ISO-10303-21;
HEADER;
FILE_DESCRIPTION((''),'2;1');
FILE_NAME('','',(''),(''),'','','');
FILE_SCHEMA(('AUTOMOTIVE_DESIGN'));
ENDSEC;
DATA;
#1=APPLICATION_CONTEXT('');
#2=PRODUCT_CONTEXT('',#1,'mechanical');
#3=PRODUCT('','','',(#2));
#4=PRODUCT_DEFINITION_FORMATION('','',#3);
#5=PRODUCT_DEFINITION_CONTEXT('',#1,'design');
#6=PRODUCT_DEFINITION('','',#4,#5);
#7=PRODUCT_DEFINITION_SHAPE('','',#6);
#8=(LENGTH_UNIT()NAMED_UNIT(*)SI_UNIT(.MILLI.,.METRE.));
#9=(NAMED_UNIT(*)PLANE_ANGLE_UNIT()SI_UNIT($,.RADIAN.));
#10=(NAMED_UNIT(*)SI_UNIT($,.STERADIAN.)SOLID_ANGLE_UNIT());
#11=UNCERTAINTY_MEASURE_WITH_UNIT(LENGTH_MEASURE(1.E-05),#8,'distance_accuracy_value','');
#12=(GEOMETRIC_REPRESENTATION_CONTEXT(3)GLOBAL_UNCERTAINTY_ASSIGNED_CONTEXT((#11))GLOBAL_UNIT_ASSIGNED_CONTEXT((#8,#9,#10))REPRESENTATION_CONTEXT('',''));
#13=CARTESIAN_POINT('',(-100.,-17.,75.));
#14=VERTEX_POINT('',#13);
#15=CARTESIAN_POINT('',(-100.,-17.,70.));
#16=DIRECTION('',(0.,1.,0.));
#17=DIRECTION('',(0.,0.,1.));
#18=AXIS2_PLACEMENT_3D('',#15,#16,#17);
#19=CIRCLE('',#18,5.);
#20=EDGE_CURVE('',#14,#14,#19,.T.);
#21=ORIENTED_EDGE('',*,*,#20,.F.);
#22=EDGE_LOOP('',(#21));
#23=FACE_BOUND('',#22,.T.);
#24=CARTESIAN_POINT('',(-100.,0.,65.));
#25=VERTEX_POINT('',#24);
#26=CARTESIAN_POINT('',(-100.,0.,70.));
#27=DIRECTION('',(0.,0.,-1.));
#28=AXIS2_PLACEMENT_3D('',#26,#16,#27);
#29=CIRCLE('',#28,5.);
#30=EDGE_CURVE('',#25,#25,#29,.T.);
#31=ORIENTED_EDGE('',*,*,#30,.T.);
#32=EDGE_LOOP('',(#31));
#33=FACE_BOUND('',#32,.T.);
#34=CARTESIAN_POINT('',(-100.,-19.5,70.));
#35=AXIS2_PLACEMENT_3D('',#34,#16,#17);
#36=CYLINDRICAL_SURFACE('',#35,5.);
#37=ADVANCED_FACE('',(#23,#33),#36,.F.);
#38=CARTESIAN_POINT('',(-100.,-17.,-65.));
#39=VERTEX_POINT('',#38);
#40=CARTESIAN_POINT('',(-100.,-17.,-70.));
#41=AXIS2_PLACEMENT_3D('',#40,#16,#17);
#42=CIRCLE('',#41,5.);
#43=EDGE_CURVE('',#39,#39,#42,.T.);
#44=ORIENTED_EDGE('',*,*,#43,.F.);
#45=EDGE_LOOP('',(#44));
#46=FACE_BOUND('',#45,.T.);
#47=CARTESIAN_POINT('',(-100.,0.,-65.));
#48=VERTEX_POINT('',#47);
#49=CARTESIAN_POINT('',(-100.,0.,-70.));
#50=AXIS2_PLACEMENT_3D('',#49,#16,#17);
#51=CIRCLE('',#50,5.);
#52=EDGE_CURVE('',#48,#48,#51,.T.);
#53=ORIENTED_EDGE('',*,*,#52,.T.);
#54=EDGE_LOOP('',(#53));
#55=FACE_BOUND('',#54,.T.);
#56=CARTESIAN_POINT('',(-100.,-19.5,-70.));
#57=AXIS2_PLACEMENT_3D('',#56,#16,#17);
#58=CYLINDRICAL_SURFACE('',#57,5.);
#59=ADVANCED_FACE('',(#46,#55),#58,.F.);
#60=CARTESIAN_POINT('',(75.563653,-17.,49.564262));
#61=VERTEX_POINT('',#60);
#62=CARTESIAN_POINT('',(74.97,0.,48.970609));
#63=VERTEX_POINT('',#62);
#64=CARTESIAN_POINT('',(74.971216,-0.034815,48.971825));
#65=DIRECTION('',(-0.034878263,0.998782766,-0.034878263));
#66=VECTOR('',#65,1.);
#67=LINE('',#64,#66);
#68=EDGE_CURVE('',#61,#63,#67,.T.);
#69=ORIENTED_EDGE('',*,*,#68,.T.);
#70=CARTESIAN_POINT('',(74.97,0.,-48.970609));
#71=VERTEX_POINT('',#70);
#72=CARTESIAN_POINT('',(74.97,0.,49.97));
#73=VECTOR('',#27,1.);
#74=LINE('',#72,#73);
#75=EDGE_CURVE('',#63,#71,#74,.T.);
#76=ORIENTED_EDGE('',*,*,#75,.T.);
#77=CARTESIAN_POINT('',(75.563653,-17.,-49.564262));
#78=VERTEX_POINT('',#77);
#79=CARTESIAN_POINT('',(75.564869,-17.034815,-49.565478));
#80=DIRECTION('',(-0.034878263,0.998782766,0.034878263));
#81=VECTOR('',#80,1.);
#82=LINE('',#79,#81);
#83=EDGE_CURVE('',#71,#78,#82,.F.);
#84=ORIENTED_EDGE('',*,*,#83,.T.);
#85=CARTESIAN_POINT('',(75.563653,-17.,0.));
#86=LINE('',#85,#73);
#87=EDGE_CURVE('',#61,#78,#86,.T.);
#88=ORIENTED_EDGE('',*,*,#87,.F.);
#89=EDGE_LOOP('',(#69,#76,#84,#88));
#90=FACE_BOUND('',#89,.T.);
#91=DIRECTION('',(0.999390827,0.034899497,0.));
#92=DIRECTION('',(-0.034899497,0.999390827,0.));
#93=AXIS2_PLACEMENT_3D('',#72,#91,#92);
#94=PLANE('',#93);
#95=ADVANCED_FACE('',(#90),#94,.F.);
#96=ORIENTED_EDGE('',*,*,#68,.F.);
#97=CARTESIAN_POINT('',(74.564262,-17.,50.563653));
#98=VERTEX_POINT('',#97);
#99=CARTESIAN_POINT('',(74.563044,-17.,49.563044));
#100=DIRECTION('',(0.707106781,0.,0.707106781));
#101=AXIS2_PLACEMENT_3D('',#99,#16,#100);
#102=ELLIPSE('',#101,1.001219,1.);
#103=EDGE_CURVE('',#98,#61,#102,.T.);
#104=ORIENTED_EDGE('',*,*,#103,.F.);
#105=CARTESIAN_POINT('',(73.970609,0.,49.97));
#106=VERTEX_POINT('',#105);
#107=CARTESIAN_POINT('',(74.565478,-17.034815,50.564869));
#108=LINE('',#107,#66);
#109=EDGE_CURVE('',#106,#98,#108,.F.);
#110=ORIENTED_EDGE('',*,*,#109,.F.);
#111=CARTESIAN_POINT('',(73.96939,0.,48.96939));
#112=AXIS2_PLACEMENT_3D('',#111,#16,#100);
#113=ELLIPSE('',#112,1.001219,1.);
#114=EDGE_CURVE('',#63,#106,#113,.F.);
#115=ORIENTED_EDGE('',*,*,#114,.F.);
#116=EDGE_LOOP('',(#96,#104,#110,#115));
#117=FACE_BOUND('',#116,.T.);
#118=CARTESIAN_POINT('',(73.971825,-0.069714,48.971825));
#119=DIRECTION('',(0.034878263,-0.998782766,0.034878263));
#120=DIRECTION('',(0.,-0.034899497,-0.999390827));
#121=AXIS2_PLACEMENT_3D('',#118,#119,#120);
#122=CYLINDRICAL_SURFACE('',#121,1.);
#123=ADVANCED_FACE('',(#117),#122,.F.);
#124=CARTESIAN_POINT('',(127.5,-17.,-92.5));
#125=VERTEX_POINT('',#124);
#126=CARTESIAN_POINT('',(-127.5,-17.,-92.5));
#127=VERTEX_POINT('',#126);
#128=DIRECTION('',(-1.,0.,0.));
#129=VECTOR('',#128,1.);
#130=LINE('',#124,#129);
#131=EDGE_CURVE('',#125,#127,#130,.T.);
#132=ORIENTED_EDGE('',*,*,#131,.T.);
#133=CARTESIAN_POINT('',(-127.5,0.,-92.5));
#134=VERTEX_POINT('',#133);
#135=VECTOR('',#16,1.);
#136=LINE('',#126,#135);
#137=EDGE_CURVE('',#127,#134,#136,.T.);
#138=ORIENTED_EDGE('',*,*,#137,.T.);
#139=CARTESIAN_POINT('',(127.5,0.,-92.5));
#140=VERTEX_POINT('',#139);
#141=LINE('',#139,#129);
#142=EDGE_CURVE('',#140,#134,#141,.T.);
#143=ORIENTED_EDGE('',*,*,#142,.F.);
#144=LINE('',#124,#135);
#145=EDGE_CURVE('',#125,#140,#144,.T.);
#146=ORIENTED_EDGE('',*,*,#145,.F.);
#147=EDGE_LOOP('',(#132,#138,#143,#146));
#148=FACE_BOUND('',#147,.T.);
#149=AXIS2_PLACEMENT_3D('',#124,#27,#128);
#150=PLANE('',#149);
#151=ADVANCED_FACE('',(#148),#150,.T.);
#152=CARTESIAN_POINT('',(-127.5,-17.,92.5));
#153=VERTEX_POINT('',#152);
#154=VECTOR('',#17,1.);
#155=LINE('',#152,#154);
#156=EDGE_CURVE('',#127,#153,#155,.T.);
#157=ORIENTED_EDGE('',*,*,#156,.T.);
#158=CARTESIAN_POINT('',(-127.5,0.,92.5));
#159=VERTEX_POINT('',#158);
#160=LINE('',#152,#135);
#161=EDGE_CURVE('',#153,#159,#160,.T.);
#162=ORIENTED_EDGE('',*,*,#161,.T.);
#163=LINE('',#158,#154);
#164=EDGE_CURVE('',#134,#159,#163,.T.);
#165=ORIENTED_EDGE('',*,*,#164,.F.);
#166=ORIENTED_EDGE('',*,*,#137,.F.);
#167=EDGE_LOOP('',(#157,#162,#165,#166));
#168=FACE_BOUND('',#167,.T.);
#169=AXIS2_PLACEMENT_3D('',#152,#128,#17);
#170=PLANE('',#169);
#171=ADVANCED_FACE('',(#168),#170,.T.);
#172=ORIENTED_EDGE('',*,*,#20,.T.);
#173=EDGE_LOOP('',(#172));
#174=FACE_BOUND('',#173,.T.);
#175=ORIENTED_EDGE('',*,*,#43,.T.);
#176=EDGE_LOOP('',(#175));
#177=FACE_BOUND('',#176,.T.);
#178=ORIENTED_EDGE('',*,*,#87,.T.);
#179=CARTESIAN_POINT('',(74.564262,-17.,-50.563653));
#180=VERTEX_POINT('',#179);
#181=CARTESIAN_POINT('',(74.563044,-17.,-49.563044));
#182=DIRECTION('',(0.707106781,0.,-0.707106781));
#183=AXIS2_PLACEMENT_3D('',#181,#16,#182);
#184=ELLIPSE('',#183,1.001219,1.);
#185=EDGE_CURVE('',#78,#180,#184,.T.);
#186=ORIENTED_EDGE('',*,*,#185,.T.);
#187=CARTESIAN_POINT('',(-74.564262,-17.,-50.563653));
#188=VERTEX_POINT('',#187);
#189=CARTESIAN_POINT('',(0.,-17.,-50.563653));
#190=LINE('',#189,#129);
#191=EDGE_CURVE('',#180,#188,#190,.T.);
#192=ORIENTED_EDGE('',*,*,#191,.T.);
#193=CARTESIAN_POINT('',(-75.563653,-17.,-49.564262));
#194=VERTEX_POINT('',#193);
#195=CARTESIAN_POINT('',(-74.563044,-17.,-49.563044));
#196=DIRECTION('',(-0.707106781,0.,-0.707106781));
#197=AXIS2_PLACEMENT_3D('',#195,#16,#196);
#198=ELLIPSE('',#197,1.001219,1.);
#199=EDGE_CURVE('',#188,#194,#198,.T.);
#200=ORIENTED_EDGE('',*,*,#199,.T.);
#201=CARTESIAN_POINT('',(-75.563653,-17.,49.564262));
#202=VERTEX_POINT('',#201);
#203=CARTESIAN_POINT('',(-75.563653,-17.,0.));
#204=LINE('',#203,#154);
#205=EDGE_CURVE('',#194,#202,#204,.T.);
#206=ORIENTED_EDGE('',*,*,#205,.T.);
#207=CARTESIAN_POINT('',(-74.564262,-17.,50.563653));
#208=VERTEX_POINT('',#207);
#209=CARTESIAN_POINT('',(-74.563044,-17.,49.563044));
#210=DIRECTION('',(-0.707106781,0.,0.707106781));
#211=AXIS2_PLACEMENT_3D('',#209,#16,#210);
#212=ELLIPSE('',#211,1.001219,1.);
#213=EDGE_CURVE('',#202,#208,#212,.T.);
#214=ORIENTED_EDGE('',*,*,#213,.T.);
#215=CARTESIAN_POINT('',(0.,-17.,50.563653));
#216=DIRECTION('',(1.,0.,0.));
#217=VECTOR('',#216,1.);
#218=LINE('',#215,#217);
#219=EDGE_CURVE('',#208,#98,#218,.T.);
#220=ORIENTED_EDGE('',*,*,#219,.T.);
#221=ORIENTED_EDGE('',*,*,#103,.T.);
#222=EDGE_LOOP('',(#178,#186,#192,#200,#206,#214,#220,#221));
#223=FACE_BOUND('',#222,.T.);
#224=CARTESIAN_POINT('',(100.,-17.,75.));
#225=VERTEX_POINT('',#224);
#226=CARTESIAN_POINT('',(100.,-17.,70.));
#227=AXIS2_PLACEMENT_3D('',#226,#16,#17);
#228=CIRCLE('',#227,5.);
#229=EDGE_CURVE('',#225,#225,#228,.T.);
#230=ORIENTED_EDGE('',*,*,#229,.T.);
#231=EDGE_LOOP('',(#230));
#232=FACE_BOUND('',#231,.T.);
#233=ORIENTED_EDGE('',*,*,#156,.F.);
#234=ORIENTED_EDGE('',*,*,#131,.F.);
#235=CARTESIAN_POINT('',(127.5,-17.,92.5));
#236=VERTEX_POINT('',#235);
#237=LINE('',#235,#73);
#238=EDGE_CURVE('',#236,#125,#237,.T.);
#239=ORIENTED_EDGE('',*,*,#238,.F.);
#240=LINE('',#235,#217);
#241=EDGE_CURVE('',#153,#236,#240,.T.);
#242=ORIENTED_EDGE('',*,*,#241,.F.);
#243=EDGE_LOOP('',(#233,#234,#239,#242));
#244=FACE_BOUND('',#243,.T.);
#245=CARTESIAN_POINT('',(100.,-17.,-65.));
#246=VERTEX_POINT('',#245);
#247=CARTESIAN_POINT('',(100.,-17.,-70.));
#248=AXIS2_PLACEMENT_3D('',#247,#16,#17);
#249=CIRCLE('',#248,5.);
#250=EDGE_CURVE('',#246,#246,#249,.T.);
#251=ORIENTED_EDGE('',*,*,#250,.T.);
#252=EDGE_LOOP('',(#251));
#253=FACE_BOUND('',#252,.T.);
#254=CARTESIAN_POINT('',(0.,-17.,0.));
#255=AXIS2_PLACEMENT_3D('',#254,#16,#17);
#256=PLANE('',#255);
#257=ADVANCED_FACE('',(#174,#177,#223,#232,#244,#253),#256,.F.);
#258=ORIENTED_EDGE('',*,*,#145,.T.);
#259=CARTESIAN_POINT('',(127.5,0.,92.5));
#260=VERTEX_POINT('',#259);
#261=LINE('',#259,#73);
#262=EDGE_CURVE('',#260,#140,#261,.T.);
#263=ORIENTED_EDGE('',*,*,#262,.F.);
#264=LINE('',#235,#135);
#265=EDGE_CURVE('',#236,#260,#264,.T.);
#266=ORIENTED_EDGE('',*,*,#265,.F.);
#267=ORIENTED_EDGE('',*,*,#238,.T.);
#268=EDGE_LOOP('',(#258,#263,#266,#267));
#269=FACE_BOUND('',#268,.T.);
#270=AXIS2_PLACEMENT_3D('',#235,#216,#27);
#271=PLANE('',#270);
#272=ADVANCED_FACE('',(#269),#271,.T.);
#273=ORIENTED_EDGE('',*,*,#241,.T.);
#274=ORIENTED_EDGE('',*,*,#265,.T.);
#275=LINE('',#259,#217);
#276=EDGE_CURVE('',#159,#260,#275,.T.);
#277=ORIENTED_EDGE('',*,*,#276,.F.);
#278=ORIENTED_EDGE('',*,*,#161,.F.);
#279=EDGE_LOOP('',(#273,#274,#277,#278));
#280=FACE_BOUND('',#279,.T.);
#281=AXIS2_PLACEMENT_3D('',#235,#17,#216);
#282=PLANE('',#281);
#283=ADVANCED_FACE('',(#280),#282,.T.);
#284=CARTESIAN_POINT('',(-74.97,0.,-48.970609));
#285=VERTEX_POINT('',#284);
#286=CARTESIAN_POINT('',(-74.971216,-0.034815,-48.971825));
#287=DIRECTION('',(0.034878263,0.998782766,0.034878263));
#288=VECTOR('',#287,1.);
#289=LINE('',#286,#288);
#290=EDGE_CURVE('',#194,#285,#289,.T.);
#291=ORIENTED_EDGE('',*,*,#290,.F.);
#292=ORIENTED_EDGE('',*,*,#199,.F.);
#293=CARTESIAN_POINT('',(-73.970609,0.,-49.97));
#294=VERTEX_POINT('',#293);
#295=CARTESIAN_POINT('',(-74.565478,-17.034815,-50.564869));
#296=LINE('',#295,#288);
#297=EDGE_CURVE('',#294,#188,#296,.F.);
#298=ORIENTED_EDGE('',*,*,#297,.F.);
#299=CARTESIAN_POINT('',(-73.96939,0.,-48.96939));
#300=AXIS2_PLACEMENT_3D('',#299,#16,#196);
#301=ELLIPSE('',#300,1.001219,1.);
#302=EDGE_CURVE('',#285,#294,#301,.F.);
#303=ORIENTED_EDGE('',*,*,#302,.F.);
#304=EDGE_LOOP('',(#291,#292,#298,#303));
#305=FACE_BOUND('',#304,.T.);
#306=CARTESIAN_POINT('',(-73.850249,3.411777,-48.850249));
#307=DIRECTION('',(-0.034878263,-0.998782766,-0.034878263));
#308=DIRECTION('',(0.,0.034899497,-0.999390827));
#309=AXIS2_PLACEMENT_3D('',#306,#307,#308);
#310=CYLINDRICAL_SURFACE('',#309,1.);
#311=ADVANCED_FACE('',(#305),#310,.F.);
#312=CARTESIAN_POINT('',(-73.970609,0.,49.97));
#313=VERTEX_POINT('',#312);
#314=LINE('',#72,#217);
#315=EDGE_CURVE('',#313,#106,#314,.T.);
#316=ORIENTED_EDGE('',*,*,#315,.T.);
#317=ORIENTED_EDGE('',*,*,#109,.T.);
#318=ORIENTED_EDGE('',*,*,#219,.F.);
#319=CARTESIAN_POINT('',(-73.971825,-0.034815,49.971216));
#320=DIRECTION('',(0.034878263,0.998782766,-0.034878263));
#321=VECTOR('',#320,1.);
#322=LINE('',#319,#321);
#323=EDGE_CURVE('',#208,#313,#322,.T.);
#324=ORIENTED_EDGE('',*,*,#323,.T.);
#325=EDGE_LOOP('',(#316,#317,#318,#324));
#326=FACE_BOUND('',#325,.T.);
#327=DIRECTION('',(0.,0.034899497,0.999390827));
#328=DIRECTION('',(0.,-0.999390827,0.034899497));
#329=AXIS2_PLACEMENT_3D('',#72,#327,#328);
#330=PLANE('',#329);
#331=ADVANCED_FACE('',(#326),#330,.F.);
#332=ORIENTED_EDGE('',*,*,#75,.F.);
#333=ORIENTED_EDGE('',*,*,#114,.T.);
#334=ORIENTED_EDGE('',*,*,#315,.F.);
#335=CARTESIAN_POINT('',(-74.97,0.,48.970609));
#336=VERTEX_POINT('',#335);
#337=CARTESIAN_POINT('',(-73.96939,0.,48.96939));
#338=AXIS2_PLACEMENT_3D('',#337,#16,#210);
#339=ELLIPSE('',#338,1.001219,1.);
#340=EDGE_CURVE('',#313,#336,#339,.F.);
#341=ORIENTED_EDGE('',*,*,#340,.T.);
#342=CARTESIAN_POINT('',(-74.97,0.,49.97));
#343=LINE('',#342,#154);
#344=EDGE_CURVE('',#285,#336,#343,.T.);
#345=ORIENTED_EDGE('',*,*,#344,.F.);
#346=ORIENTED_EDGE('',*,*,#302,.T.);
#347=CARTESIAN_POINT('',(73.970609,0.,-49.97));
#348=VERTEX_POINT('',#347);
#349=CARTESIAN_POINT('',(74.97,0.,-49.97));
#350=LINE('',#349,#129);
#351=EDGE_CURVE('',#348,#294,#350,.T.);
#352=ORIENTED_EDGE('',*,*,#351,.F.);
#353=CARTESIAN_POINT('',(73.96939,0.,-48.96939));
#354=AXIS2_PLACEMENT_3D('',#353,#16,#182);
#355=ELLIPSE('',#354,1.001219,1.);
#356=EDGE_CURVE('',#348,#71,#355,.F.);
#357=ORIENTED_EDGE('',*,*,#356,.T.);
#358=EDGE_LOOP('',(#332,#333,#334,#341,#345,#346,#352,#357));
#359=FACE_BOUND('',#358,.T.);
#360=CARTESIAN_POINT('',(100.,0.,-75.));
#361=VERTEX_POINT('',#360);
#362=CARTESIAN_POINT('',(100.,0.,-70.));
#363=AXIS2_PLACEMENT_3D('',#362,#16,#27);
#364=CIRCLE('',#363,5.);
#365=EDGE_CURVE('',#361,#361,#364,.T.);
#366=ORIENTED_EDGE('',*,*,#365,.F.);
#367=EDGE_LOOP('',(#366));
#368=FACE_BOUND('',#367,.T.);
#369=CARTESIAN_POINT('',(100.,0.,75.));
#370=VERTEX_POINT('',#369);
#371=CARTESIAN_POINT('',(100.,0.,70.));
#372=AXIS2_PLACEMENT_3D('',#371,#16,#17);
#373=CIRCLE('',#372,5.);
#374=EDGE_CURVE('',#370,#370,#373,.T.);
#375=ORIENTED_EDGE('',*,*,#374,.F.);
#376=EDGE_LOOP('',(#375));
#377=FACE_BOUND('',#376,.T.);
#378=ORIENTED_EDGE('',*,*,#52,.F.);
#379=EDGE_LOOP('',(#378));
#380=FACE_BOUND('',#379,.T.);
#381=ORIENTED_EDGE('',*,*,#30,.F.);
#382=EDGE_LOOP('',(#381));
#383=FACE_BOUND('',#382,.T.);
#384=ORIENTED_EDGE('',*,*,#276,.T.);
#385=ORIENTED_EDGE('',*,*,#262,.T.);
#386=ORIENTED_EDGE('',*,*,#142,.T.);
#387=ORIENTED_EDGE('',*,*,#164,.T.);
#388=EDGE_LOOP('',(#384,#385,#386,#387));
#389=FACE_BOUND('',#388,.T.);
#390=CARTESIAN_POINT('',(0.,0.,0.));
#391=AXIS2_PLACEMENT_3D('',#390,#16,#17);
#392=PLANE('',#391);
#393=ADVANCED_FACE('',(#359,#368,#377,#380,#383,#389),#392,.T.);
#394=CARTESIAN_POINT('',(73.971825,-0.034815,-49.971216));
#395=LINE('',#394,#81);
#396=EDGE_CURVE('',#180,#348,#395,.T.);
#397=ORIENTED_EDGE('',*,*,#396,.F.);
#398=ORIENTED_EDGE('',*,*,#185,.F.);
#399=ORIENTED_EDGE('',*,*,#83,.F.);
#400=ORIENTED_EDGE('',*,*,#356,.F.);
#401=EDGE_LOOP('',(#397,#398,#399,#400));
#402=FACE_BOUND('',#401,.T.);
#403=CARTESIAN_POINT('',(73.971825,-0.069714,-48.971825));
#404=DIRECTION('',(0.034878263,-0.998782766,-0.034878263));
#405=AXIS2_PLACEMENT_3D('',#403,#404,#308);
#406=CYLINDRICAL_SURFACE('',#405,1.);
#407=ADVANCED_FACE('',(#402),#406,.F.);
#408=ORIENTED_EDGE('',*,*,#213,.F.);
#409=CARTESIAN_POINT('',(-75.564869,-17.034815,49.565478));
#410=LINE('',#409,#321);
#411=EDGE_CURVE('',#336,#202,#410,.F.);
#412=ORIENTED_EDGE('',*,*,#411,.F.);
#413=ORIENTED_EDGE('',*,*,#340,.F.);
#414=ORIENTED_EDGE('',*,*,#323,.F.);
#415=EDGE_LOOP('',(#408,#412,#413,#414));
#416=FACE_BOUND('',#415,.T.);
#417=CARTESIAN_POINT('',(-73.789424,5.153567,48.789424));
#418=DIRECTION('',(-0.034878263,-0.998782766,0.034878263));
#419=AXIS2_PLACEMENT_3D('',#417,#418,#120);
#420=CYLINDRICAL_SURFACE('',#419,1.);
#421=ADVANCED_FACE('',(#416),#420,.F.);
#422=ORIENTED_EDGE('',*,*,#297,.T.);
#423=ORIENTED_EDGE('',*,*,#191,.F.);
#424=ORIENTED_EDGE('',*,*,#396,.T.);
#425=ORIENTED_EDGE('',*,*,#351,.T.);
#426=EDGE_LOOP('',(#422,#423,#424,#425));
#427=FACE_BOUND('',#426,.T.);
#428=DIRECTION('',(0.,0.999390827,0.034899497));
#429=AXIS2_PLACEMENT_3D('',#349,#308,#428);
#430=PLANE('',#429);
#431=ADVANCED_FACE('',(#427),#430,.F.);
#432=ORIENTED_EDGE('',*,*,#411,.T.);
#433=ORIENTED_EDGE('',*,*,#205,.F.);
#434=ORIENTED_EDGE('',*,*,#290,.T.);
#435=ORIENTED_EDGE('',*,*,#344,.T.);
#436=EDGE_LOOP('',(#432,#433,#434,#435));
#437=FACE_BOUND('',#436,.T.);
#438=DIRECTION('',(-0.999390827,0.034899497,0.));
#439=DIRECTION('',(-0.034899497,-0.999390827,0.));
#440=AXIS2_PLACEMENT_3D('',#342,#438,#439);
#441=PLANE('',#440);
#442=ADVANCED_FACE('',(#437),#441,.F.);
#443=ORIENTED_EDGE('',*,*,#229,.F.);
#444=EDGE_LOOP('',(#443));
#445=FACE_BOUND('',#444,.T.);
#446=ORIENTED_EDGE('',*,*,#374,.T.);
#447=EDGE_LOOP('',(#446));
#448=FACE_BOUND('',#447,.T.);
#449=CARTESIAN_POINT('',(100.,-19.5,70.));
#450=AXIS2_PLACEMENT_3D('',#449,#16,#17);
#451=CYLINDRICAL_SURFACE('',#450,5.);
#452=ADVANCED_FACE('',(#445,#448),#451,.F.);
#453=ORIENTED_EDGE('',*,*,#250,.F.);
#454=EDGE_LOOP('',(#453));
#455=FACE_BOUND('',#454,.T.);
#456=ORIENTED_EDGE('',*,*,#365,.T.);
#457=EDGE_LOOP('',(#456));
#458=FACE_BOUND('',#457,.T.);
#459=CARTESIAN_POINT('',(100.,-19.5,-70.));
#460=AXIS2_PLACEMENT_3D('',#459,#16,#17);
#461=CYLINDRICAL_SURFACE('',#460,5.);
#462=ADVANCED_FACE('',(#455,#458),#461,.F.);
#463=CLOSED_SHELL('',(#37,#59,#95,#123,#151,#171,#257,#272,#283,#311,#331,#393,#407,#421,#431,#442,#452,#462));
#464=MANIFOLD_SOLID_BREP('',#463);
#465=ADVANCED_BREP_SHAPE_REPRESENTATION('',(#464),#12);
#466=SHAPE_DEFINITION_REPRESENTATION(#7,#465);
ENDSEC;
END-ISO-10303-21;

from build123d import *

# Parameters (mm, degrees)
SKETCH1_W           = 255
SKETCH1_H           = 185
BOSS_EXTRUDE1_DEPTH = 17
SKETCH2_W           = 149.94
SKETCH2_H           = 99.94
CUT_EXTRUDE1_DEPTH  = 19.5
CUT_EXTRUDE1_TAPER  = -2
FILLET1_R           = 1
SKETCH3_R           = 5
CUT_EXTRUDE2_DEPTH  = 19.5


with BuildPart() as part:
    # Sketch1 → Boss-Extrude1 (new body)
    with BuildSketch(Plane(origin=(0, 0, 0), x_dir=(1, 0, 0), z_dir=(0, 1, 0))):
        Rectangle(SKETCH1_W, SKETCH1_H)
    extrude(amount=-BOSS_EXTRUDE1_DEPTH)

    # Sketch2 → Cut-Extrude1 (cut)
    with BuildSketch(Plane(origin=(0, 0, 0), x_dir=(1, 0, 0), z_dir=(0, 1, 0))):
        Rectangle(SKETCH2_W, SKETCH2_H)
    extrude(amount=-CUT_EXTRUDE1_DEPTH, taper=CUT_EXTRUDE1_TAPER, mode=Mode.SUBTRACT)

    # Fillet1
    fillet1_edges = [part.edges().sort_by_distance(p)[0] for p in [
        (-75.266826541, -8.5, 50.266826541),
        (-75.266826541, -8.5, -50.266826541),
        (75.266826541, -8.5, -50.266826541),
        (75.266826541, -8.5, 50.266826541),
    ]]
    fillet(fillet1_edges, radius=FILLET1_R)

    # Sketch3 → Cut-Extrude2 (cut)
    with BuildSketch(Plane(origin=(0, 0, 0), x_dir=(1, 0, 0), z_dir=(0, 1, 0))):
        with Locations((-100, 70)):
            Circle(SKETCH3_R)
        with Locations((100, 70)):
            Circle(SKETCH3_R)
        with Locations((100, -70)):
            Circle(SKETCH3_R)
        with Locations((-100, -70)):
            Circle(SKETCH3_R)
    extrude(amount=-CUT_EXTRUDE2_DEPTH, mode=Mode.SUBTRACT)


solid = part.part
